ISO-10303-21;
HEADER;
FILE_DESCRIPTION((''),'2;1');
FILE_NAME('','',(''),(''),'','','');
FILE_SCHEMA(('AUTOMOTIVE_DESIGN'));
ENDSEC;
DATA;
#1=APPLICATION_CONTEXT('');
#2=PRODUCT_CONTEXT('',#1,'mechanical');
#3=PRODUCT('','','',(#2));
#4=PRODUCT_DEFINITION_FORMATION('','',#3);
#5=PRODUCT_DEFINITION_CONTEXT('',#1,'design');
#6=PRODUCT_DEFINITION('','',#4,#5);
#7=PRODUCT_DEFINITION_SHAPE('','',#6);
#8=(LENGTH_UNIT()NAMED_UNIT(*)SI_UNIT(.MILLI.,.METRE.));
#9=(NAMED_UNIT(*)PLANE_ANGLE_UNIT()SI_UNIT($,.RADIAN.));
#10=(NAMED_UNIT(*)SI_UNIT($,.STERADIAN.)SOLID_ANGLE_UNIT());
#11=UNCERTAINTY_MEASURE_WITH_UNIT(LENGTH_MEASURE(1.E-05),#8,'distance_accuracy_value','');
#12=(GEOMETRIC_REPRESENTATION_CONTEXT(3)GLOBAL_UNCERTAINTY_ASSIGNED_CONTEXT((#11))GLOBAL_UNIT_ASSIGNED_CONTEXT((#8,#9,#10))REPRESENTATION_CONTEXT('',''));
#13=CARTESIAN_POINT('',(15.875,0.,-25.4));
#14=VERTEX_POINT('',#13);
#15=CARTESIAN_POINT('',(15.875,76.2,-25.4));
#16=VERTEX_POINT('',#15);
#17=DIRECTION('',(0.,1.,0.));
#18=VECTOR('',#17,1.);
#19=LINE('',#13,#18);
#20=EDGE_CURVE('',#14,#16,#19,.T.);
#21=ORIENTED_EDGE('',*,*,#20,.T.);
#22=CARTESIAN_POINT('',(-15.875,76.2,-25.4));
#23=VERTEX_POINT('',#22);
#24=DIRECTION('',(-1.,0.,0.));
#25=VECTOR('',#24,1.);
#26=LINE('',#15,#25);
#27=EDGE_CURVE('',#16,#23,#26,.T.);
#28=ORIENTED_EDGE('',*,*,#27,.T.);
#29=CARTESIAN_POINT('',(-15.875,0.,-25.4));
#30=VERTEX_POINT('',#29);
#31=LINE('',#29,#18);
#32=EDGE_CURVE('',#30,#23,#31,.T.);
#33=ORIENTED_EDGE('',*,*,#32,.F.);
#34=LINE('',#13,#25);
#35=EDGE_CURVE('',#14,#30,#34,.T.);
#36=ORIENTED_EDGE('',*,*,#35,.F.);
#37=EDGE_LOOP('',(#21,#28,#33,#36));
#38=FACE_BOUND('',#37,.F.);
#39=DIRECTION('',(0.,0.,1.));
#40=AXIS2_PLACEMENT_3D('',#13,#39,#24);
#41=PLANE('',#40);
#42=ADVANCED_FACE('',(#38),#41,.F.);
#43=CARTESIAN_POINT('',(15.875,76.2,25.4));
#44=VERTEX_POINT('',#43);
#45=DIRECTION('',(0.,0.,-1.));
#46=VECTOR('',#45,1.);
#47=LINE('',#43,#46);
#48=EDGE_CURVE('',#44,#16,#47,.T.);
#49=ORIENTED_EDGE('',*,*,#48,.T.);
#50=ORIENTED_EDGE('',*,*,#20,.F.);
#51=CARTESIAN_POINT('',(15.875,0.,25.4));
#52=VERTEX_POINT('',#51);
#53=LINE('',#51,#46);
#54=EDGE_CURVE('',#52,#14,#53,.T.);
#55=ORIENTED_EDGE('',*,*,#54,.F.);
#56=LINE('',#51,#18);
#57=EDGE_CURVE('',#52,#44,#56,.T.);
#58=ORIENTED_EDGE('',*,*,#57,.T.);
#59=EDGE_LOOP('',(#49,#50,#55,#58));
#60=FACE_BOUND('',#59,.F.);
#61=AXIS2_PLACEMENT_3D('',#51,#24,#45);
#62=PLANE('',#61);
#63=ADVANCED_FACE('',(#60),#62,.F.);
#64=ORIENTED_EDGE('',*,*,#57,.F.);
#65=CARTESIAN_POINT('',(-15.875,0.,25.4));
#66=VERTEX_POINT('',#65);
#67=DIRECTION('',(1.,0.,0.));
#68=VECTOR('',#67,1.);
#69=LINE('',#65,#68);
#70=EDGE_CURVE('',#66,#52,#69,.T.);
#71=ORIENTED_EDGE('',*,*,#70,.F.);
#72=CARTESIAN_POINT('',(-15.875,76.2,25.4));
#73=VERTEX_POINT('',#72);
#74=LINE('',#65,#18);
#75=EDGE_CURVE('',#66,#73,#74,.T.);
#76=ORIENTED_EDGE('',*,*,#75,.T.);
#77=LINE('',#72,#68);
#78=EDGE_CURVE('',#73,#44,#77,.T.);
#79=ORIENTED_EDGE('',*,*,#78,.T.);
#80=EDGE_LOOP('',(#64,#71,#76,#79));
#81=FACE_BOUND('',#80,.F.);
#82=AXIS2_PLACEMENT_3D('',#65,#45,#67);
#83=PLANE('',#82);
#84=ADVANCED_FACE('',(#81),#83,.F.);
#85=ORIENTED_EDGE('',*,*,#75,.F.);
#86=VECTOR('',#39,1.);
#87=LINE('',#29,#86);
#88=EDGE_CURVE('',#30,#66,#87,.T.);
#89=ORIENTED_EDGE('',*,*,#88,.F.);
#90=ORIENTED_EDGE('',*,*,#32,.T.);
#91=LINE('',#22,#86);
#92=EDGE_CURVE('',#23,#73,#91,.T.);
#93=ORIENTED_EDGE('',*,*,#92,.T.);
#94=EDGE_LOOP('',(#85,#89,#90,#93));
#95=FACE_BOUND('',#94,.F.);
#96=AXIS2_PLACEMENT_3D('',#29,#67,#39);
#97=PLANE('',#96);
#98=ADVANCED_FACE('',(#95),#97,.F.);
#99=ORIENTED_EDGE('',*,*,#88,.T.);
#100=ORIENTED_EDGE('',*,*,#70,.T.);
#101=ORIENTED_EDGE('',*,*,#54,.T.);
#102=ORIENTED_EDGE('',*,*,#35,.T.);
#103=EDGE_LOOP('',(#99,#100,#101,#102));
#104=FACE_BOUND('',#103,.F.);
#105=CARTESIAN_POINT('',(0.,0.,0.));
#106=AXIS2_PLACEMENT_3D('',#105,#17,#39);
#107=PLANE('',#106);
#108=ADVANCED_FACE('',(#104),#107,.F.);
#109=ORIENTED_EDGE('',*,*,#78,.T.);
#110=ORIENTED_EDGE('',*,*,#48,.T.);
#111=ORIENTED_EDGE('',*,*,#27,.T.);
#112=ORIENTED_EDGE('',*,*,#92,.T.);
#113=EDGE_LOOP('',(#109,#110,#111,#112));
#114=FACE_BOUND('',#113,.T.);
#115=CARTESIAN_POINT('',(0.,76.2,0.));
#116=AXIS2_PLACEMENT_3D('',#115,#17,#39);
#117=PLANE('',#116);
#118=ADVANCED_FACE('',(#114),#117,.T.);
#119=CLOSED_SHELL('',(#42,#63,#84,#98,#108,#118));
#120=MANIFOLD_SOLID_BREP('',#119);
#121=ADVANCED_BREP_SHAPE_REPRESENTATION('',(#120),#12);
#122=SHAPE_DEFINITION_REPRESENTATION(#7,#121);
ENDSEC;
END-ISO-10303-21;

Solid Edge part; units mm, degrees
sketch "Sketch1" plane through (0, 0, 0) normal (0, -1, 0) x (1, 0, 0)
  line L0 (-15.875, 25.4) -> (15.875, 25.4)
  line L1 (15.875, 25.4) -> (15.875, -25.4)
  line L2 (15.875, -25.4) -> (-15.875, -25.4)
  line L3 (-15.875, -25.4) -> (-15.875, 25.4)
  dimension "D1" = 50.8
  dimension "D2" = 31.75
extrude "Protrusion1" add sketch "Sketch1" against normal blind 76.2
